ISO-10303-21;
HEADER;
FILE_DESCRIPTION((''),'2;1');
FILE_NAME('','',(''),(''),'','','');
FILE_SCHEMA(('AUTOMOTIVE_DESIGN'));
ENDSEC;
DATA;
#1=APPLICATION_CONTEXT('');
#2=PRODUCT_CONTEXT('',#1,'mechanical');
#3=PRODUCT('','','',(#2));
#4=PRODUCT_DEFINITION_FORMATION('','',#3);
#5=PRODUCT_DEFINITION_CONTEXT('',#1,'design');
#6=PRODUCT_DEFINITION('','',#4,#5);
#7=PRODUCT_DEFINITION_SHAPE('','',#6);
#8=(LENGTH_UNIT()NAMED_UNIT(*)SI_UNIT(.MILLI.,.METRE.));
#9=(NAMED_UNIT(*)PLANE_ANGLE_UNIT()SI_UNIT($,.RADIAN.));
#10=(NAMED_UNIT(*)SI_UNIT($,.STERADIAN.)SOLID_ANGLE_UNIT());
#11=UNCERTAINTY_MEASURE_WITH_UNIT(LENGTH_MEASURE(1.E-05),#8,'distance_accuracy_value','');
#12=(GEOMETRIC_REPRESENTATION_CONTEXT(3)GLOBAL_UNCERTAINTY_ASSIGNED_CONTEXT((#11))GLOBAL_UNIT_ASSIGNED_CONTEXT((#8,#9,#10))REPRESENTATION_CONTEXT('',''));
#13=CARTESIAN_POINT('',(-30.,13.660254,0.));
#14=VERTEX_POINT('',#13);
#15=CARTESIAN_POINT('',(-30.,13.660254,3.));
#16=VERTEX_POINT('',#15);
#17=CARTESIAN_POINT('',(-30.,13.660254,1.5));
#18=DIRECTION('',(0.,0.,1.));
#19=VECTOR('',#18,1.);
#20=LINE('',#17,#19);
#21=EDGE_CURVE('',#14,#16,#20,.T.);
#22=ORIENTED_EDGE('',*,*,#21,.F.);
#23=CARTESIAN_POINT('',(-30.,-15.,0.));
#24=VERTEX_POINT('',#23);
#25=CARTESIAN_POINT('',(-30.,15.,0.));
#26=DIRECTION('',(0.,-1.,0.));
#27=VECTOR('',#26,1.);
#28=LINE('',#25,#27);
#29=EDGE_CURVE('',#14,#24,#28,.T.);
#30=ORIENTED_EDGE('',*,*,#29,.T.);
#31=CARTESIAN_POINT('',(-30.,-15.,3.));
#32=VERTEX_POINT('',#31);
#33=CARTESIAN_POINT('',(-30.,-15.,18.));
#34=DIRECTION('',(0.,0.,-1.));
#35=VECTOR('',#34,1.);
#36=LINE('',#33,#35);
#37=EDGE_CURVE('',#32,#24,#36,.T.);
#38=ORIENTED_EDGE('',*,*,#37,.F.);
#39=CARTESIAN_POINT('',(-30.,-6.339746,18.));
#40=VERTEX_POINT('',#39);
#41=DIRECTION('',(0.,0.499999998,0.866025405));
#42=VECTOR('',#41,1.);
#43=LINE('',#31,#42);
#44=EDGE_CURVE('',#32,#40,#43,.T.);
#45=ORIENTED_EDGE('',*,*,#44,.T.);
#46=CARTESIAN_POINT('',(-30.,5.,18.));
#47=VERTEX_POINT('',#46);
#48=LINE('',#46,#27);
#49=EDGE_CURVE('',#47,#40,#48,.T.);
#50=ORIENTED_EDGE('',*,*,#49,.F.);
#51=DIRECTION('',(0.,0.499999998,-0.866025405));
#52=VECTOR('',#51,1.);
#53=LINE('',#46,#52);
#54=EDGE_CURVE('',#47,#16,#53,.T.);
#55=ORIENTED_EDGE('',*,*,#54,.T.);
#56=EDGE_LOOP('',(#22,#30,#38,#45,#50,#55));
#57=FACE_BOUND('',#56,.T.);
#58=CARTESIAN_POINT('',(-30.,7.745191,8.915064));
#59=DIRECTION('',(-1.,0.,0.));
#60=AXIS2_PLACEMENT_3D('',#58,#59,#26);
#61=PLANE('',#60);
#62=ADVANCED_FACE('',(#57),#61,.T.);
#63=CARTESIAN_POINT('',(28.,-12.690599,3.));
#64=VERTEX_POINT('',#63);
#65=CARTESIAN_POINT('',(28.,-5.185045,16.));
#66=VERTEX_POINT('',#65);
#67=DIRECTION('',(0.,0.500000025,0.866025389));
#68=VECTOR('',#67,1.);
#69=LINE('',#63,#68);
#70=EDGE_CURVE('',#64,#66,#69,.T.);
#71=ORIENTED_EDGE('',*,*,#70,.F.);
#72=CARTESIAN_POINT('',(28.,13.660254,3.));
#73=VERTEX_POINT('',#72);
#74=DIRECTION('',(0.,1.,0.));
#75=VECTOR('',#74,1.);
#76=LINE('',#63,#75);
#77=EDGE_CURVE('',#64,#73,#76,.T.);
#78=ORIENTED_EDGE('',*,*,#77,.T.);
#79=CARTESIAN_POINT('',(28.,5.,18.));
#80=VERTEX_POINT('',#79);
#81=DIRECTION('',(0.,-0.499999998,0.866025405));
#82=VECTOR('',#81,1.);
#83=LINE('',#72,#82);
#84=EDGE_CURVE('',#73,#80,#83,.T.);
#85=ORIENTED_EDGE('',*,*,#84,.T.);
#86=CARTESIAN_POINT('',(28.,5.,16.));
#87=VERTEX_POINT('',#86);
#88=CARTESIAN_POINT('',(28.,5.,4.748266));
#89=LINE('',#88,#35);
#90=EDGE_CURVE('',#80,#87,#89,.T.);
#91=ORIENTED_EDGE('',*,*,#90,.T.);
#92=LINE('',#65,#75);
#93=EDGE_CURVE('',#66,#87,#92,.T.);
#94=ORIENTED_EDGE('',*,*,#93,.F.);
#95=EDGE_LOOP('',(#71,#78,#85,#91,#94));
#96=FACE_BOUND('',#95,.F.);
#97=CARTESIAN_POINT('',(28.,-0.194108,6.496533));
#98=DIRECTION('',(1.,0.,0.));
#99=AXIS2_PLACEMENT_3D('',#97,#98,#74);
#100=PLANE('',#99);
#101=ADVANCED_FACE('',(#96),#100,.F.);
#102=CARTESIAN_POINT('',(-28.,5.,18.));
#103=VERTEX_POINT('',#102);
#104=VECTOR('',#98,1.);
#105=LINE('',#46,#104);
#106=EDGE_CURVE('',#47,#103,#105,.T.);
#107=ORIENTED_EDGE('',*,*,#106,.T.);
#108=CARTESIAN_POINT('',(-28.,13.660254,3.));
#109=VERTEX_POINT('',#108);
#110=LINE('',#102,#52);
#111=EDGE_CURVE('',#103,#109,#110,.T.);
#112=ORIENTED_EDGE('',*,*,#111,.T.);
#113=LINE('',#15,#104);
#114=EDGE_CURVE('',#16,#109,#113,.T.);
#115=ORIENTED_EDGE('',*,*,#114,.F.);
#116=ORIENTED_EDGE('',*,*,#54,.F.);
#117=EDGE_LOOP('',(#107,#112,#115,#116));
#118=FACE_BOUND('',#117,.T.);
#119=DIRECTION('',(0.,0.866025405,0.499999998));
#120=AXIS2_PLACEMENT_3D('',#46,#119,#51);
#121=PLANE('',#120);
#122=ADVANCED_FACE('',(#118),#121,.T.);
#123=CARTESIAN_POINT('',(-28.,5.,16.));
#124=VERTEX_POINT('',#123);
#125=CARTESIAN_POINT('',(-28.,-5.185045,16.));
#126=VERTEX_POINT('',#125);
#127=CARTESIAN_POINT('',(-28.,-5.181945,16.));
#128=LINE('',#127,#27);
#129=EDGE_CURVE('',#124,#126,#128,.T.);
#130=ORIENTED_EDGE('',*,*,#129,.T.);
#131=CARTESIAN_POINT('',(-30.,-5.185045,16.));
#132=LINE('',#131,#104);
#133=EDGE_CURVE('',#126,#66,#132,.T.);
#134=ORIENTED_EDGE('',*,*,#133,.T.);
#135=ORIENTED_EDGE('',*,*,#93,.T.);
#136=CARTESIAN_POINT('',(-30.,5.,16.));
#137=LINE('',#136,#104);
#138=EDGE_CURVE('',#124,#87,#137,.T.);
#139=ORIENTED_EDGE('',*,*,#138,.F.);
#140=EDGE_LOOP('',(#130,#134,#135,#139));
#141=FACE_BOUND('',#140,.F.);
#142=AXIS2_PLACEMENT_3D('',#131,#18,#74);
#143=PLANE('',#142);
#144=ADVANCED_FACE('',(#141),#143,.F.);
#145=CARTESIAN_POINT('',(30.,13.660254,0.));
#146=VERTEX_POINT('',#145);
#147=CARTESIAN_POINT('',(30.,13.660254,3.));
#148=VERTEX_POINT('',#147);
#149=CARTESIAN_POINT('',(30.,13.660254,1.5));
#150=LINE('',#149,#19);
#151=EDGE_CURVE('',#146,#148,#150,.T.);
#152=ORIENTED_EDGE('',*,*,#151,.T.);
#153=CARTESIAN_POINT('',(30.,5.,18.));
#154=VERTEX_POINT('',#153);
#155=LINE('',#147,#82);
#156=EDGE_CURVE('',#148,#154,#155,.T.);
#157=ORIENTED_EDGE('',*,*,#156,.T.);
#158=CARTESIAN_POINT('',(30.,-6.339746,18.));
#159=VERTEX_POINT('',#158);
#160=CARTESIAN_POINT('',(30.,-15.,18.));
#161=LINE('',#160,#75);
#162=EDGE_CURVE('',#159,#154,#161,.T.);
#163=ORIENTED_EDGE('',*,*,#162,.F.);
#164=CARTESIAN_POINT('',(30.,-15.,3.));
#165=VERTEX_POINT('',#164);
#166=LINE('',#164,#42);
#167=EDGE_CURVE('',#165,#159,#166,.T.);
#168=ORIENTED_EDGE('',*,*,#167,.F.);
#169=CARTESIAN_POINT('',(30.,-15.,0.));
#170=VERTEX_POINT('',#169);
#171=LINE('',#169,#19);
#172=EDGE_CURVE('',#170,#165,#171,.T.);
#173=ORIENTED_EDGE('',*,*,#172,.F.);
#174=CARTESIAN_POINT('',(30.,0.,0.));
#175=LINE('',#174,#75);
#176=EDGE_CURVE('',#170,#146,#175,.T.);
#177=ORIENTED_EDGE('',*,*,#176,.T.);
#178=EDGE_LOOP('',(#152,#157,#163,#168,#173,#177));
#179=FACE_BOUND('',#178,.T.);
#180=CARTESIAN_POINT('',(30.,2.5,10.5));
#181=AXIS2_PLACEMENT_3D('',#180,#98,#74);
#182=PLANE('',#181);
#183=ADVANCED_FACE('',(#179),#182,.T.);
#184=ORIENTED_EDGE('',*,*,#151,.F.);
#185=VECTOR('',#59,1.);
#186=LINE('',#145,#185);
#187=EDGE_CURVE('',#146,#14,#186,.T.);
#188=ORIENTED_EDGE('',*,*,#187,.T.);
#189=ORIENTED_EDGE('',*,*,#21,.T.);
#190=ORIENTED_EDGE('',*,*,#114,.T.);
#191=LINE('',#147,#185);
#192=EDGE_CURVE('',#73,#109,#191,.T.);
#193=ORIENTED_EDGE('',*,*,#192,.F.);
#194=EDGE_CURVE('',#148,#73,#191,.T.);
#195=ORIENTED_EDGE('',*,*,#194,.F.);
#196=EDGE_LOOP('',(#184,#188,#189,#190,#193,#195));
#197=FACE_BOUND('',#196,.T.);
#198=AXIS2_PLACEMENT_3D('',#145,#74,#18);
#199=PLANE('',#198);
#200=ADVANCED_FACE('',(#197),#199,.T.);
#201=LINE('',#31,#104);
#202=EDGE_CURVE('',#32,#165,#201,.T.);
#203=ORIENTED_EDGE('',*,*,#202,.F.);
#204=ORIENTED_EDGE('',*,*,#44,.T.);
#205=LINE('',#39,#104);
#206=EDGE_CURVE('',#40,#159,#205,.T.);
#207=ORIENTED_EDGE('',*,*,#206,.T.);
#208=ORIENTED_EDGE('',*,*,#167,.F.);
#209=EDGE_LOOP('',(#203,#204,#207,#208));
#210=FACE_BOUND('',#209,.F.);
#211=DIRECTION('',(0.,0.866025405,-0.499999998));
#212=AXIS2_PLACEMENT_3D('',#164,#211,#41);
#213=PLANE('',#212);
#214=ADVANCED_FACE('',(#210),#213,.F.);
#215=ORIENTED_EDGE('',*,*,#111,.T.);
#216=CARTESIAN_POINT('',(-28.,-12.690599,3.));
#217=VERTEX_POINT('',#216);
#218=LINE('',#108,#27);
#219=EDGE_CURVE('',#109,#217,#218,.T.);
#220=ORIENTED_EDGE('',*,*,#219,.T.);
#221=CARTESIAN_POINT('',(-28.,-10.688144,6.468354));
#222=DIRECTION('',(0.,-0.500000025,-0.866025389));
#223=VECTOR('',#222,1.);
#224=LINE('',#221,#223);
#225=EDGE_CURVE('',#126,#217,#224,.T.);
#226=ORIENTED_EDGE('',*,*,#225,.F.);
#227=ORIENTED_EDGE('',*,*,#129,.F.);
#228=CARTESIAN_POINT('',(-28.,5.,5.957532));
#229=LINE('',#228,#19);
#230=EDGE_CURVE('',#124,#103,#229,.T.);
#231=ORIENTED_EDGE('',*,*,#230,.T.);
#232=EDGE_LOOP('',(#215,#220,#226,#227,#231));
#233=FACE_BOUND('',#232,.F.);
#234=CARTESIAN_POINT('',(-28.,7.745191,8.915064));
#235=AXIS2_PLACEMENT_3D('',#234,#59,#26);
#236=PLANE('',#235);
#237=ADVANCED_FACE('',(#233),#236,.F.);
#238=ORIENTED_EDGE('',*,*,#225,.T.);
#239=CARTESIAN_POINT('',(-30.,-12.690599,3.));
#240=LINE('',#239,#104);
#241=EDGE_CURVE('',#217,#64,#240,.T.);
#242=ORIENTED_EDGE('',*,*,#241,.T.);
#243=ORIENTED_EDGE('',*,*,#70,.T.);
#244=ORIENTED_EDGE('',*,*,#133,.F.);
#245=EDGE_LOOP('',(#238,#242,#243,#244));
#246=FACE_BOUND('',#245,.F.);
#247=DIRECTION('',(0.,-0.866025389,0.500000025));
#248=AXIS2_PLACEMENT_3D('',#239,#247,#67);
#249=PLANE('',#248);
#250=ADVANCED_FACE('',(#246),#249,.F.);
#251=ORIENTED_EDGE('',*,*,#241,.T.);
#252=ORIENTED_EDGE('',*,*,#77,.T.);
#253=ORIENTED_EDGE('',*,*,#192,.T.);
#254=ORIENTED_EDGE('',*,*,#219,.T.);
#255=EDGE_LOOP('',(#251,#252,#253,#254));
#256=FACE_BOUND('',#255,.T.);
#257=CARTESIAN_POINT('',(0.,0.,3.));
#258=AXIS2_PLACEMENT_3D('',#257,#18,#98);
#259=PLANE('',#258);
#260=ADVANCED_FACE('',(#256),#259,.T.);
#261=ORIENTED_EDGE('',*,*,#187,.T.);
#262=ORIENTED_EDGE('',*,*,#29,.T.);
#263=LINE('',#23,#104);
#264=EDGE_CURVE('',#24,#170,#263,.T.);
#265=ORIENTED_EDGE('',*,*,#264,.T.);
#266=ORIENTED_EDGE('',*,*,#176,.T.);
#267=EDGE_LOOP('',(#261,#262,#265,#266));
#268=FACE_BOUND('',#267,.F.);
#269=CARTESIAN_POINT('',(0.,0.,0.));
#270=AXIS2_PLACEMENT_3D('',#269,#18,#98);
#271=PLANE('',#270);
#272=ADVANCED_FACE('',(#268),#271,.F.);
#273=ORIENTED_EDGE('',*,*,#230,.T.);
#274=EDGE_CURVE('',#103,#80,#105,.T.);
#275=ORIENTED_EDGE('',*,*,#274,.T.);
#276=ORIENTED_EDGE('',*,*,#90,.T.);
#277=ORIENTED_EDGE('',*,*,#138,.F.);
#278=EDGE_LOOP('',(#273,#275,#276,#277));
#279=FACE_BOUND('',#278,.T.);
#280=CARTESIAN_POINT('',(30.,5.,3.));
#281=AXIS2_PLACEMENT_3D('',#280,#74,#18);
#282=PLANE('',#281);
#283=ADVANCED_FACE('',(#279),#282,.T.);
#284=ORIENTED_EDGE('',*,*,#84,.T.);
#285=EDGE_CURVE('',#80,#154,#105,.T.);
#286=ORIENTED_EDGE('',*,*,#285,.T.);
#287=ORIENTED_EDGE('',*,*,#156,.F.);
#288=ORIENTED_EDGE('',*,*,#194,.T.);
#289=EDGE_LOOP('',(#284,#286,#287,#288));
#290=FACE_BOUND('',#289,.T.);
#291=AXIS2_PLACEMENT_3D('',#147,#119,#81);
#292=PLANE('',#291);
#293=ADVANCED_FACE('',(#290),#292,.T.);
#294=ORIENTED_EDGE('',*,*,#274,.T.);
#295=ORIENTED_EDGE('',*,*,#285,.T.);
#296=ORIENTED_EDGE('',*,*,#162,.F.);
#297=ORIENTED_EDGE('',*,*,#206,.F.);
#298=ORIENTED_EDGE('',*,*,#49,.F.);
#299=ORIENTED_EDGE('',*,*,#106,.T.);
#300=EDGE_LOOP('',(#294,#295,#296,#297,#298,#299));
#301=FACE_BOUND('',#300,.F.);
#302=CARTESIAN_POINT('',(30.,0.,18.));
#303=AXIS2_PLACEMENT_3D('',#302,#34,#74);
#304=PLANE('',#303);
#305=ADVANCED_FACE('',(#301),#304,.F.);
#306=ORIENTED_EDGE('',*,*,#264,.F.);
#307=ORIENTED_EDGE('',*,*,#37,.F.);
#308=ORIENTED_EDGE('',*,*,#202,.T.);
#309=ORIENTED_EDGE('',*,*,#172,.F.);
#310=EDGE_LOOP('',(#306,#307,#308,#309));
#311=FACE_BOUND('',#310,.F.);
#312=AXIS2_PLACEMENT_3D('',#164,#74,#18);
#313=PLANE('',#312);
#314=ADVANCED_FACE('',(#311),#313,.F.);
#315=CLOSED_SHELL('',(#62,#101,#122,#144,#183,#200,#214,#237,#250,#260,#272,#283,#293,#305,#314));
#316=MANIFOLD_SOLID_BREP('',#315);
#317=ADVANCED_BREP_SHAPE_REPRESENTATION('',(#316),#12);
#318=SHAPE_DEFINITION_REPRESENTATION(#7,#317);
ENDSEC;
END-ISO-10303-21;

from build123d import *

# Parameters (mm, degrees)
F0_W      = 60
F0_H      = 30
F1_DEPTH  = 3
F2_W      = 15
F2_H      = 15
F3_DEPTH  = 60
F4_W      = 5
F4_H      = 15
F5_DEPTH  = 60
F7_DEPTH  = 60
F9_DEPTH  = 58
F11_DEPTH = 2
F13_DEPTH = 2
F15_DEPTH = 2
F16_W     = 1.339746
F16_H     = 3
F17_DEPTH = 60


with BuildPart() as f1:
    # F0 (on Top) → F1 (new body)
    with BuildSketch(Plane.XY):
        Rectangle(F0_W, F0_H)
    extrude(amount=F1_DEPTH)

    # F2 (on face) → F3 (join)
    with BuildSketch(Plane.YZ.offset(30)):
        with Locations((-7.5, 10.5)):
            Rectangle(F2_W, F2_H)
    extrude(amount=-F3_DEPTH)

    # F4 (on face) → F5 (join)
    with BuildSketch(Plane.YZ.offset(30)):
        with Locations((2.5, 10.5)):
            Rectangle(F4_W, F4_H)
    extrude(amount=-F5_DEPTH)

    # F6 (on face) → F7 (cut, through all)
    with BuildSketch(Plane.YZ.offset(30)):
        Polygon((-15, 18), (-15, 3), (-6.339746, 18), align=None)
    extrude(amount=-F7_DEPTH, mode=Mode.SUBTRACT)

    # F8 (on face) → F9 (cut)
    with BuildSketch(Plane(origin=(-30, 0, 0), x_dir=(0, -1, 0), z_dir=(-1, 0, 0))):
        Polygon((-5, 16), (-5, 3), (12.690599, 3), (5.185045, 16), align=None)
    extrude(amount=-F9_DEPTH, mode=Mode.SUBTRACT)

    # F10 (on face) → F11 (join)
    with BuildSketch(Plane(origin=(-30, 0, 0), x_dir=(0, -1, 0), z_dir=(-1, 0, 0))):
        Polygon((6.339746, 18), (-5, 18), (-5, 16), (5.185045, 16), (12.690599, 3), (-5, 3), (-5, 0), (15, 0), (15, 3), align=None)
        Polygon((5.185045, 16), (-5, 16), (-5, 3), (12.690599, 3), align=None)
    extrude(amount=-F11_DEPTH)

    # F12 (on face) → F13 (join)
    with BuildSketch(Plane(origin=(-30, 0, 0), x_dir=(0, -1, 0), z_dir=(-1, 0, 0))):
        Polygon((-5, 3), (-5, 18), (-13.660254, 3), align=None)
        Polygon((6.339746, 18), (-5, 18), (-5, 3), (-13.660254, 3), (-15, 3), (-15, 0), (15, 0), (15, 3), align=None)
    extrude(amount=-F13_DEPTH)

    # F14 (on face) → F15 (join)
    with BuildSketch(Plane.YZ.offset(30)):
        Polygon((5, 3), (5, 18), (-6.339746, 18), (-15, 3), (-15, 0), (15, 0), (15, 3), (13.660254, 3), align=None)
        Polygon((13.660254, 3), (5, 18), (5, 3), align=None)
    extrude(amount=-F15_DEPTH)

    # F16 (on face) → F17 (cut)
    with BuildSketch(Plane.YZ.offset(30)):
        with Locations((14.330127, 1.5)):
            Rectangle(F16_W, F16_H)
    extrude(amount=-F17_DEPTH, mode=Mode.SUBTRACT)


solid = f1.part
